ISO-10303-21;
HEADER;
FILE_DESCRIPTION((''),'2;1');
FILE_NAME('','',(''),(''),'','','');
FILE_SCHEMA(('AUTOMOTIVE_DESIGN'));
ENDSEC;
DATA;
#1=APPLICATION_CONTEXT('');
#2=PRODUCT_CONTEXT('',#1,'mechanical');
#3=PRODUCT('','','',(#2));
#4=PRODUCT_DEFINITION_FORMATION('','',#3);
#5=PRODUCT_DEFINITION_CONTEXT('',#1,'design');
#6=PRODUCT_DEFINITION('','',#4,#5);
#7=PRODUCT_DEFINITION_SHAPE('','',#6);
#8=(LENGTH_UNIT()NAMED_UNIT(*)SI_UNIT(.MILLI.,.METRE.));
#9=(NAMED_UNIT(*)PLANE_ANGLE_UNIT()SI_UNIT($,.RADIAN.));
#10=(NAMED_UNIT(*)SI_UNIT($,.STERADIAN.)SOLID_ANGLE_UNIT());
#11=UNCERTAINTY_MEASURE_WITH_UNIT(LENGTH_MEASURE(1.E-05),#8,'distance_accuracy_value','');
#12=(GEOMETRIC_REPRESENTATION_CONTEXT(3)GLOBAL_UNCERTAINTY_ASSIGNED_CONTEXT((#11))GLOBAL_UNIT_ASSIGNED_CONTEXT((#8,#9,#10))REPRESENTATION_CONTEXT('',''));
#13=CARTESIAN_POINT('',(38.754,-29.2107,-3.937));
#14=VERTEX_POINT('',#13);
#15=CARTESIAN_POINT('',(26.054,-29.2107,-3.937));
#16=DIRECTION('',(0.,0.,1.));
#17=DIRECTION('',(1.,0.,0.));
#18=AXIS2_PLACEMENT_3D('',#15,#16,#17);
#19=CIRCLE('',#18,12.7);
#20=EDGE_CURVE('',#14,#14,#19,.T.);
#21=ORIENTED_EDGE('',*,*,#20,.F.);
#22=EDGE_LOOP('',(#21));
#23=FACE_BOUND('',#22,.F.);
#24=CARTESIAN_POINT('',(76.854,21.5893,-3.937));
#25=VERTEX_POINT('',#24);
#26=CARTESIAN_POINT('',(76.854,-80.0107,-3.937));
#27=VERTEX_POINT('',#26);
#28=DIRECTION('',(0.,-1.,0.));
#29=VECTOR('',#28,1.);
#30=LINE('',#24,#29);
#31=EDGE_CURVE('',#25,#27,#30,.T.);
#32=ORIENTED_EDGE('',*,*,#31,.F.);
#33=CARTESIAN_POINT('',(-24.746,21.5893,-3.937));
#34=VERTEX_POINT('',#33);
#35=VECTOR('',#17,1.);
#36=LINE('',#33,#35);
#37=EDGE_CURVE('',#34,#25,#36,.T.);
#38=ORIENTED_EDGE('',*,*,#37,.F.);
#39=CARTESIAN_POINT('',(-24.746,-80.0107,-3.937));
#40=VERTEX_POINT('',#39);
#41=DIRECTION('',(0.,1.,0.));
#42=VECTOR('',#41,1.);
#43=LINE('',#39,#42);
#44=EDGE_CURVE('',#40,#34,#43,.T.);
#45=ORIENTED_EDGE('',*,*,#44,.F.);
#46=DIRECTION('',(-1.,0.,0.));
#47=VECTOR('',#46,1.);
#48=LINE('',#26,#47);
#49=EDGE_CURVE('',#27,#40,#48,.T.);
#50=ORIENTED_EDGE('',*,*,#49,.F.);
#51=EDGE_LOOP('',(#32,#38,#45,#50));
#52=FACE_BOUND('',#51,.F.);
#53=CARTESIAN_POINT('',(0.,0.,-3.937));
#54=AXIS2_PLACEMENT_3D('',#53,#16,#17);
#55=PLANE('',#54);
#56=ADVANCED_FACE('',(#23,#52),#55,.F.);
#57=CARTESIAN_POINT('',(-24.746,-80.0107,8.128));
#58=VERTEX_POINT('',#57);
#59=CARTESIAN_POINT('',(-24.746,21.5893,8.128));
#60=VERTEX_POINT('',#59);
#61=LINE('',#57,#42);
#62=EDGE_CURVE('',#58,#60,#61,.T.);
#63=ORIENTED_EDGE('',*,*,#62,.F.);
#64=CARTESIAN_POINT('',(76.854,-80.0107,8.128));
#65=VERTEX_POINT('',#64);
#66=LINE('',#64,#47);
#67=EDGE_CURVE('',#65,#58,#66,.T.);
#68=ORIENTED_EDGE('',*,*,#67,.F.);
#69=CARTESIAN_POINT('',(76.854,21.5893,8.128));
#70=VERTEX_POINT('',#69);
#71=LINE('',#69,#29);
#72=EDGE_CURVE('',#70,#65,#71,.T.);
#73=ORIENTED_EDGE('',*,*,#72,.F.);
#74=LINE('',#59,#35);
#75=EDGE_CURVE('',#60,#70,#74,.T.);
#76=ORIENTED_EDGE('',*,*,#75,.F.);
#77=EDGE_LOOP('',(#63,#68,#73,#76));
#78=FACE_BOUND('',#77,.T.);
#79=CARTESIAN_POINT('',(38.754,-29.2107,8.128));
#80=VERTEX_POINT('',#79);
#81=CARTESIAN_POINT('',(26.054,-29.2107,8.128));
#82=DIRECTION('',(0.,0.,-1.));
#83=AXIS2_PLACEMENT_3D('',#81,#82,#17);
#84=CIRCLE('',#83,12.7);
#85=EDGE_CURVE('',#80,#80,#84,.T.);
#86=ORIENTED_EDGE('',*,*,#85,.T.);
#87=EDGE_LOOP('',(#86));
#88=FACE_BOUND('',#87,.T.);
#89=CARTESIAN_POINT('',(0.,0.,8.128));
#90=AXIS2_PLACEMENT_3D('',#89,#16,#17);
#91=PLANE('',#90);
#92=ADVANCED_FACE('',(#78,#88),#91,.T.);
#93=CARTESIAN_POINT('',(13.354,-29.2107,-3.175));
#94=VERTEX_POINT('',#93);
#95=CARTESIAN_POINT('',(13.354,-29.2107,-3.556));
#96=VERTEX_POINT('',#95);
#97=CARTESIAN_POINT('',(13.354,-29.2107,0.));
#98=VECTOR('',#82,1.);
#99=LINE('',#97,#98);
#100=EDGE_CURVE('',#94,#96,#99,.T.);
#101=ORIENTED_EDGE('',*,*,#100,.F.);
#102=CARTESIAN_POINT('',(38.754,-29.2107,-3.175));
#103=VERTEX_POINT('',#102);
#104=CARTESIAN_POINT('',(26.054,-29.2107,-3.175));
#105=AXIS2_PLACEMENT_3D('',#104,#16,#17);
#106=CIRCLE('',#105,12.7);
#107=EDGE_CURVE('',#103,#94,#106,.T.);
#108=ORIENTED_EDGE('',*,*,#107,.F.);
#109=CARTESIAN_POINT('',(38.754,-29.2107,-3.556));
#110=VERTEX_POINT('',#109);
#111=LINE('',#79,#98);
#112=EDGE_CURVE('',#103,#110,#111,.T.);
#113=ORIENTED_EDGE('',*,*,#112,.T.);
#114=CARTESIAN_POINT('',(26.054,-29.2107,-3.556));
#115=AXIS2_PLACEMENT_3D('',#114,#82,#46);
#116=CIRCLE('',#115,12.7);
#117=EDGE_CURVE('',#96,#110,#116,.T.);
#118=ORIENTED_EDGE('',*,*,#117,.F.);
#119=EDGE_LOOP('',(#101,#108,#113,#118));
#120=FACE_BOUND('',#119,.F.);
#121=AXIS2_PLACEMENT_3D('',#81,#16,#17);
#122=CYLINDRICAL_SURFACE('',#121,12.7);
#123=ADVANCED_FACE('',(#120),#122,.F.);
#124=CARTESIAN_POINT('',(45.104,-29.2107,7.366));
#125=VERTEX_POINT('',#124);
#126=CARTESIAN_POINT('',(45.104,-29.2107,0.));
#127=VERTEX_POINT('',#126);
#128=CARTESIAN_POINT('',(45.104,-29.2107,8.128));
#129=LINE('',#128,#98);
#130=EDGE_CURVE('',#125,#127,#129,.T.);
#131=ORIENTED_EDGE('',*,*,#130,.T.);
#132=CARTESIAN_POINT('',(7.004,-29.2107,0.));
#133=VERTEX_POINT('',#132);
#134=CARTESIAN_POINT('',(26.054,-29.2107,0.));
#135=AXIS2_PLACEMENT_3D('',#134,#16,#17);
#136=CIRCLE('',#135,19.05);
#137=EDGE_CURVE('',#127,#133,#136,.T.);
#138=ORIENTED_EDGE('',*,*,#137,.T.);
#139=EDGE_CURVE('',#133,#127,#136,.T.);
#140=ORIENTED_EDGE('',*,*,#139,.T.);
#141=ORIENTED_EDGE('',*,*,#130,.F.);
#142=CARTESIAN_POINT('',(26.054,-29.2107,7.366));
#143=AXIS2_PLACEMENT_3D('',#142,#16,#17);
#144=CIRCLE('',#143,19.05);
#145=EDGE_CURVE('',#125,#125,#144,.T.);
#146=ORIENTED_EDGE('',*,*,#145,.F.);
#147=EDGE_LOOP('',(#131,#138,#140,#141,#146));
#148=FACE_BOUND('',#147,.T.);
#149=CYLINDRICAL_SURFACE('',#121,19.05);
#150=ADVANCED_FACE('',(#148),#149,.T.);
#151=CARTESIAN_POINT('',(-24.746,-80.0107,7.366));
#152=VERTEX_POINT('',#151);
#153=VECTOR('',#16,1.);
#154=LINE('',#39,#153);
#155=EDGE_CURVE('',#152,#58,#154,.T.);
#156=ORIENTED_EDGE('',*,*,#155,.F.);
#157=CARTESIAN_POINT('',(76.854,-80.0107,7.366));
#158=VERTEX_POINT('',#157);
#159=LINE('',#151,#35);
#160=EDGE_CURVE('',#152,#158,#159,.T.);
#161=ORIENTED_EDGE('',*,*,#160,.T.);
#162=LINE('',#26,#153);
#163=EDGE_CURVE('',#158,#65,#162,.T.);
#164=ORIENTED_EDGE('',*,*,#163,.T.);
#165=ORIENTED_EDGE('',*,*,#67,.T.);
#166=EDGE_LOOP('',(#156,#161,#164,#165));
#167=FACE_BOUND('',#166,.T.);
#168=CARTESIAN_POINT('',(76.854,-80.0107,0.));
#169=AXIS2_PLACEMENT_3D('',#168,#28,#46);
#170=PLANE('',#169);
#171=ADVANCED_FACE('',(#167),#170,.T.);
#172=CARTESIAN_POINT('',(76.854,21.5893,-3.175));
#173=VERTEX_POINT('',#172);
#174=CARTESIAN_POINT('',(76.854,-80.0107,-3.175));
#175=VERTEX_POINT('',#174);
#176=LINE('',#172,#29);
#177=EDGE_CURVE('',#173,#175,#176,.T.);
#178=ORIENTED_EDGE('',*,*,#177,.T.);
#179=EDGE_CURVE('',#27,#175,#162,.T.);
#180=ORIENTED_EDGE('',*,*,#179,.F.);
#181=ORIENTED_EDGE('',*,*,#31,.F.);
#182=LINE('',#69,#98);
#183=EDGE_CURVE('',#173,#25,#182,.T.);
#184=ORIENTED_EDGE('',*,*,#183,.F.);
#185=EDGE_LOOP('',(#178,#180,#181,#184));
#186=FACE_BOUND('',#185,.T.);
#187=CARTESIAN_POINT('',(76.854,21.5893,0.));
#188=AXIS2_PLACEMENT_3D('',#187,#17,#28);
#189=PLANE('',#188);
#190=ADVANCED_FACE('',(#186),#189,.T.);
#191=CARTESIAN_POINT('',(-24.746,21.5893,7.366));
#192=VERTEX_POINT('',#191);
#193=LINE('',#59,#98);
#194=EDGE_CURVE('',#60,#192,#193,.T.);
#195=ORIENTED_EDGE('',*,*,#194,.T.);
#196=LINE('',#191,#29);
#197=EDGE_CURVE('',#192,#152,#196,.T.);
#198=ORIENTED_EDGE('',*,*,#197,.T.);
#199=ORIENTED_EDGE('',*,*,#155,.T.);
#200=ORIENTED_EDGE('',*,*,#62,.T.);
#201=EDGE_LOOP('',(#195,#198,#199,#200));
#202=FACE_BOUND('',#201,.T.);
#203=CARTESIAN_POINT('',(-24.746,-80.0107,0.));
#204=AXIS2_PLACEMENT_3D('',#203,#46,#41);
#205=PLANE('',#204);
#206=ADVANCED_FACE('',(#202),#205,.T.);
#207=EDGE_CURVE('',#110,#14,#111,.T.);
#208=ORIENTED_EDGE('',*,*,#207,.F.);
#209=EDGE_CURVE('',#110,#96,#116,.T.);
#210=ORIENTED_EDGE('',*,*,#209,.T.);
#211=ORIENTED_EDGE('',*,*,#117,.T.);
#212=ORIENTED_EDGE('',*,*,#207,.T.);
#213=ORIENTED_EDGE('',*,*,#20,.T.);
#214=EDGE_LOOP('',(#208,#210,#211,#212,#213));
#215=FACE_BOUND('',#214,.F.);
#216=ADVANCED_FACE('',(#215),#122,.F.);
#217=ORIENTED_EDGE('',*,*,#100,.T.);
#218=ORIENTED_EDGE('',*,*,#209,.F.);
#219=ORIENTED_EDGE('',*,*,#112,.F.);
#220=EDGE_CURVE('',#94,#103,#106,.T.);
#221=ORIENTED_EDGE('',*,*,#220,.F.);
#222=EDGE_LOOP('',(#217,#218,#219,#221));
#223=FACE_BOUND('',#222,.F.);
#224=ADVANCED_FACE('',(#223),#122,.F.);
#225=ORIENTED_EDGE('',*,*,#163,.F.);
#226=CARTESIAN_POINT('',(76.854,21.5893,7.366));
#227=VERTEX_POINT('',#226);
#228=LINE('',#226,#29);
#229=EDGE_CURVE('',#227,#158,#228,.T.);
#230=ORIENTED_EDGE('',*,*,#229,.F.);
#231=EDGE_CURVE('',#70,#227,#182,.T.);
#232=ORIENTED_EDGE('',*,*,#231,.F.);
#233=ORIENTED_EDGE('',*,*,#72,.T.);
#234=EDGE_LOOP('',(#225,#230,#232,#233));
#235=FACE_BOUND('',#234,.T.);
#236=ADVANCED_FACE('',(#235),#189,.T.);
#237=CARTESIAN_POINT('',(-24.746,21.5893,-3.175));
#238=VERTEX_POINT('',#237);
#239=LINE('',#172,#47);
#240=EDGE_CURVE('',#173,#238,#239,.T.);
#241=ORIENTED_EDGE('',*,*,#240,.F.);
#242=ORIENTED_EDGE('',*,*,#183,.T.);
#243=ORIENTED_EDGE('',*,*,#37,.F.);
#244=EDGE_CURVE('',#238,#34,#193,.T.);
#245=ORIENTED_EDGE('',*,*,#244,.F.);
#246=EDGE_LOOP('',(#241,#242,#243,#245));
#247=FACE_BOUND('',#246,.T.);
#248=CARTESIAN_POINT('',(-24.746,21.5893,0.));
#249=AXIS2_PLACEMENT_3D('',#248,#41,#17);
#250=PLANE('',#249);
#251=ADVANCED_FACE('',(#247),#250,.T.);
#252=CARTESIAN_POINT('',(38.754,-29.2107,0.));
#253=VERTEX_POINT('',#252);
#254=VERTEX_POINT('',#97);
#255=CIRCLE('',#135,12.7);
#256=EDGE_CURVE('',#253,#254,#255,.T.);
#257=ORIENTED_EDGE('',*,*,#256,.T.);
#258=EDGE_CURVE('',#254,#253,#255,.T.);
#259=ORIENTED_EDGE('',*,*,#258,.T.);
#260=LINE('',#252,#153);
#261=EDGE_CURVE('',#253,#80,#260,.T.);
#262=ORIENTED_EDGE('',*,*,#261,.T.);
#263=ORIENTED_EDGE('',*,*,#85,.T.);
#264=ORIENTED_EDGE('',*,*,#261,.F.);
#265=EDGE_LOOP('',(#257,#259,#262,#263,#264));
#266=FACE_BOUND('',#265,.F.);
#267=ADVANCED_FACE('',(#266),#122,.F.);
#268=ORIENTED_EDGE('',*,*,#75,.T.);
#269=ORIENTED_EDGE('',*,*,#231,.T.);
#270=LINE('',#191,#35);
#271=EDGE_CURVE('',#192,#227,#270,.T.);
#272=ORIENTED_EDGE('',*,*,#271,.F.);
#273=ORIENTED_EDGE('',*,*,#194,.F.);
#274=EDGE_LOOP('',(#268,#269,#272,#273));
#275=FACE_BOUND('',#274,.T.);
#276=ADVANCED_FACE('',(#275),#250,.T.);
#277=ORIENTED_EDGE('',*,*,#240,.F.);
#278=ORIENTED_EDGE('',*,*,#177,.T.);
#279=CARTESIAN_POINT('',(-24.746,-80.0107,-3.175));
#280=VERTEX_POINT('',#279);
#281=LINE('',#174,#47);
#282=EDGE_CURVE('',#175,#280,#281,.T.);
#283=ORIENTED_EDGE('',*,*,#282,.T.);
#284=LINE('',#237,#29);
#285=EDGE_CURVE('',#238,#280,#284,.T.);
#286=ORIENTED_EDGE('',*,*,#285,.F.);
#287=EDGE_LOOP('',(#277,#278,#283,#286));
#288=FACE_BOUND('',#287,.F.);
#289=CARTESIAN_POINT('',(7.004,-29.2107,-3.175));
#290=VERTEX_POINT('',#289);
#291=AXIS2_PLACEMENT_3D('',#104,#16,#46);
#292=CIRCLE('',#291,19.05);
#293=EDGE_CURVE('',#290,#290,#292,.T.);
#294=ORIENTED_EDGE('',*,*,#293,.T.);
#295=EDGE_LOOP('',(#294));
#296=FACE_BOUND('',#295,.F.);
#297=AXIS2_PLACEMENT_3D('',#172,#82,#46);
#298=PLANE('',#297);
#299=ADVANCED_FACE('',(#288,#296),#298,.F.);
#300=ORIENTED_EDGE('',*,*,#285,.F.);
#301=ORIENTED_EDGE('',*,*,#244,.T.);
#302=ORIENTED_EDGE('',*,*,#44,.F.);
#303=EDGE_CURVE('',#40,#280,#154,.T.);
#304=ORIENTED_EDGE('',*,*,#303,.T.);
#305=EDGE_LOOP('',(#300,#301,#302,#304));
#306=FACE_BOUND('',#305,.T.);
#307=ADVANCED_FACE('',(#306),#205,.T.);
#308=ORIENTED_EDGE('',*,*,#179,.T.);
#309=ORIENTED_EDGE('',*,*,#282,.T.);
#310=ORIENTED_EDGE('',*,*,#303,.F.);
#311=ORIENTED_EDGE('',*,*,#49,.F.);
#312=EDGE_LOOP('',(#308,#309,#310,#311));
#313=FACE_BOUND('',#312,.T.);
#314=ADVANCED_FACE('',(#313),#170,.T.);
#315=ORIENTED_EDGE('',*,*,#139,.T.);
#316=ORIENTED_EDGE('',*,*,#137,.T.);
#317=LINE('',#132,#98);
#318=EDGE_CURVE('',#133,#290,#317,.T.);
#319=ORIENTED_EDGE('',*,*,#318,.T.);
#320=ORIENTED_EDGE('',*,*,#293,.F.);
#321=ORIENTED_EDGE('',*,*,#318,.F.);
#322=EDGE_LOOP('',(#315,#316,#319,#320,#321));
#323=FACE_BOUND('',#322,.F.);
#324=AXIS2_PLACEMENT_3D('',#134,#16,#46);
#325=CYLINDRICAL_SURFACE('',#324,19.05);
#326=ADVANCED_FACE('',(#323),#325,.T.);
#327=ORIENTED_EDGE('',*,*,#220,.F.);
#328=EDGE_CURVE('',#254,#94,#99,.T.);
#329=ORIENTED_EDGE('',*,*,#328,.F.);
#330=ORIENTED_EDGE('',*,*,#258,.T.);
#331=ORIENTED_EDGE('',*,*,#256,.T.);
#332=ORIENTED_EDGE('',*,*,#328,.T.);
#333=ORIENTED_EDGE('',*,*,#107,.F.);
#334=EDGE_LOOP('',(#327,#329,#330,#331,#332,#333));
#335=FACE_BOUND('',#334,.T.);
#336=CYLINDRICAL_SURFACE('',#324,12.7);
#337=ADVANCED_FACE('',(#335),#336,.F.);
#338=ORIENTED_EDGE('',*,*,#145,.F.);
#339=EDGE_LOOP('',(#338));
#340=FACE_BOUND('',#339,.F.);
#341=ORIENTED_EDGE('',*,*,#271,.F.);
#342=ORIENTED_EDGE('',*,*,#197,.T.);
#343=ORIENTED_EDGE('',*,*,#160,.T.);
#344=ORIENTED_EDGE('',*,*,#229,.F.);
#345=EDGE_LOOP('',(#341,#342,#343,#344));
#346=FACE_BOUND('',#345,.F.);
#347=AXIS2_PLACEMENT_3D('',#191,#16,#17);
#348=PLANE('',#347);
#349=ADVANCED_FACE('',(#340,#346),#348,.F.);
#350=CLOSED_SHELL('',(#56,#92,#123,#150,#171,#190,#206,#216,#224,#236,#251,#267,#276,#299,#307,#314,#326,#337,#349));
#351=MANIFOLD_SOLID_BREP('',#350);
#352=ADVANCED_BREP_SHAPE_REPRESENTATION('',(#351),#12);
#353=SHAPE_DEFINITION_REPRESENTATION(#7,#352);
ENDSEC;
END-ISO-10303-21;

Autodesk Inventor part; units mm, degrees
ref_plane "YZ Plane" through (0, 0, 0) normal (1, 0, 0) x (0, 1, 0)
ref_plane "XZ Plane" through (0, 0, 0) normal (0, 1, 0) x (-1, 0, 0)
ref_plane "XY Plane" through (0, 0, 0) normal (0, 0, 1) x (1, 0, 0)
sketch "Sketch1" plane through (0, 0, 0) normal (0, 0, 1) x (1, 0, 0)
  line L0 (-24.746, 21.5893) -> (76.854, 21.5893)
  line L1 (76.854, 21.5893) -> (76.854, -80.0107)
  line L2 (76.854, -80.0107) -> (-24.746, -80.0107)
  line L3 (-24.746, -80.0107) -> (-24.746, 21.5893)
  line L4 (-24.746, 21.5893) -> (76.854, -80.0107)
  line L5 (76.854, 21.5893) -> (-24.746, -80.0107)
  circle A0 centre (26.054, -29.2107) radius 12.7
  point P0 (0, 0)
  dimension "d0" = 101.6
  dimension "d1" = 101.6
  dimension "d2" = 25.4
extrude "Extrusion1" add sketch "Sketch1" along normal blind 8.128 and the other way blind 3.937
sketch "Sketch2" plane through (0, 0, 8.128) normal (0, 0, 1) x (1, 0, 0)
  line L0 (-24.746, 21.5893) -> (76.854, -80.0107)
  line L1 (76.854, 21.5893) -> (-24.746, -80.0107)
  circle A0 centre (26.054, -29.2107) radius 12.7
  point P0 (0, 0)
  dimension "d7" = 25.4
extrude "Extrusion2" cut sketch "Sketch2" against normal blind 8.128
sketch "Sketch3" plane through (-24.746, 21.5893, 8.128) normal (0, 1, 0) x (1, 0, 0)
  line L0 (101.6, 12.065) -> (101.6, 0) projected
  line L1 (101.6, 12.065) -> (0, 12.065) projected
  line L2 (0, 0) -> (0, 12.065) projected
  line L3 (0, 12.065) -> (101.6, 12.065)
  line L4 (101.6, 12.065) -> (101.6, 11.303)
  line L5 (101.6, 11.303) -> (0, 11.303)
  line L6 (0, 11.303) -> (0, 12.065)
  line L7 (101.6, 0) -> (0, 0)
  line L8 (0, 0) -> (0, 0.762)
  line L9 (0, 0.762) -> (101.6, 0.762)
  line L10 (101.6, 0.762) -> (101.6, 0)
  line L11 (0, 0.762) -> (0, 11.303)
  line L12 (101.6, 12.065) -> (101.6, 0.762)
  point P0 (24.746, 8.128)
  dimension "d10" = 0.762
  dimension "d11" = 0.762
extrude "Extrusion3" cut sketch "Sketch3" against normal blind 101.6 contours L0 L9 L2 L5
sketch "Sketch4" plane through (0, 0, 8.128) normal (0, 0, 1) x (1, 0, 0)
  circle A0 centre (26.054, -29.2107) radius 12.7 projected
  circle A1 centre (26.054, -29.2107) radius 19.05
  point P0 (0, 0)
  dimension "d14" = 38.1
extrude "Extrusion4" add sketch "Sketch4" against normal blind 8.128
sketch "Sketch5" plane through (0, 0, 8.128) normal (0, 0, 1) x (1, 0, 0)
  circle A0 centre (26.054, -29.2107) radius 12.7 projected
  point P0 (0, 0)
extrude "Extrusion5" cut sketch "Sketch5" against normal blind 25.4
sketch "Sketch6" plane through (26.054, -29.2107, 0) normal (0, 0, -1) x (-1, 0, 0)
  circle A0 centre (0, 0) radius 12.7 projected
  circle A1 centre (0, 0) radius 19.05 projected
  point P0 (26.054, 29.2107)
extrude "Extrusion6" add sketch "Sketch6" along normal blind 3.556
properties part number "lazysusanbasic"
